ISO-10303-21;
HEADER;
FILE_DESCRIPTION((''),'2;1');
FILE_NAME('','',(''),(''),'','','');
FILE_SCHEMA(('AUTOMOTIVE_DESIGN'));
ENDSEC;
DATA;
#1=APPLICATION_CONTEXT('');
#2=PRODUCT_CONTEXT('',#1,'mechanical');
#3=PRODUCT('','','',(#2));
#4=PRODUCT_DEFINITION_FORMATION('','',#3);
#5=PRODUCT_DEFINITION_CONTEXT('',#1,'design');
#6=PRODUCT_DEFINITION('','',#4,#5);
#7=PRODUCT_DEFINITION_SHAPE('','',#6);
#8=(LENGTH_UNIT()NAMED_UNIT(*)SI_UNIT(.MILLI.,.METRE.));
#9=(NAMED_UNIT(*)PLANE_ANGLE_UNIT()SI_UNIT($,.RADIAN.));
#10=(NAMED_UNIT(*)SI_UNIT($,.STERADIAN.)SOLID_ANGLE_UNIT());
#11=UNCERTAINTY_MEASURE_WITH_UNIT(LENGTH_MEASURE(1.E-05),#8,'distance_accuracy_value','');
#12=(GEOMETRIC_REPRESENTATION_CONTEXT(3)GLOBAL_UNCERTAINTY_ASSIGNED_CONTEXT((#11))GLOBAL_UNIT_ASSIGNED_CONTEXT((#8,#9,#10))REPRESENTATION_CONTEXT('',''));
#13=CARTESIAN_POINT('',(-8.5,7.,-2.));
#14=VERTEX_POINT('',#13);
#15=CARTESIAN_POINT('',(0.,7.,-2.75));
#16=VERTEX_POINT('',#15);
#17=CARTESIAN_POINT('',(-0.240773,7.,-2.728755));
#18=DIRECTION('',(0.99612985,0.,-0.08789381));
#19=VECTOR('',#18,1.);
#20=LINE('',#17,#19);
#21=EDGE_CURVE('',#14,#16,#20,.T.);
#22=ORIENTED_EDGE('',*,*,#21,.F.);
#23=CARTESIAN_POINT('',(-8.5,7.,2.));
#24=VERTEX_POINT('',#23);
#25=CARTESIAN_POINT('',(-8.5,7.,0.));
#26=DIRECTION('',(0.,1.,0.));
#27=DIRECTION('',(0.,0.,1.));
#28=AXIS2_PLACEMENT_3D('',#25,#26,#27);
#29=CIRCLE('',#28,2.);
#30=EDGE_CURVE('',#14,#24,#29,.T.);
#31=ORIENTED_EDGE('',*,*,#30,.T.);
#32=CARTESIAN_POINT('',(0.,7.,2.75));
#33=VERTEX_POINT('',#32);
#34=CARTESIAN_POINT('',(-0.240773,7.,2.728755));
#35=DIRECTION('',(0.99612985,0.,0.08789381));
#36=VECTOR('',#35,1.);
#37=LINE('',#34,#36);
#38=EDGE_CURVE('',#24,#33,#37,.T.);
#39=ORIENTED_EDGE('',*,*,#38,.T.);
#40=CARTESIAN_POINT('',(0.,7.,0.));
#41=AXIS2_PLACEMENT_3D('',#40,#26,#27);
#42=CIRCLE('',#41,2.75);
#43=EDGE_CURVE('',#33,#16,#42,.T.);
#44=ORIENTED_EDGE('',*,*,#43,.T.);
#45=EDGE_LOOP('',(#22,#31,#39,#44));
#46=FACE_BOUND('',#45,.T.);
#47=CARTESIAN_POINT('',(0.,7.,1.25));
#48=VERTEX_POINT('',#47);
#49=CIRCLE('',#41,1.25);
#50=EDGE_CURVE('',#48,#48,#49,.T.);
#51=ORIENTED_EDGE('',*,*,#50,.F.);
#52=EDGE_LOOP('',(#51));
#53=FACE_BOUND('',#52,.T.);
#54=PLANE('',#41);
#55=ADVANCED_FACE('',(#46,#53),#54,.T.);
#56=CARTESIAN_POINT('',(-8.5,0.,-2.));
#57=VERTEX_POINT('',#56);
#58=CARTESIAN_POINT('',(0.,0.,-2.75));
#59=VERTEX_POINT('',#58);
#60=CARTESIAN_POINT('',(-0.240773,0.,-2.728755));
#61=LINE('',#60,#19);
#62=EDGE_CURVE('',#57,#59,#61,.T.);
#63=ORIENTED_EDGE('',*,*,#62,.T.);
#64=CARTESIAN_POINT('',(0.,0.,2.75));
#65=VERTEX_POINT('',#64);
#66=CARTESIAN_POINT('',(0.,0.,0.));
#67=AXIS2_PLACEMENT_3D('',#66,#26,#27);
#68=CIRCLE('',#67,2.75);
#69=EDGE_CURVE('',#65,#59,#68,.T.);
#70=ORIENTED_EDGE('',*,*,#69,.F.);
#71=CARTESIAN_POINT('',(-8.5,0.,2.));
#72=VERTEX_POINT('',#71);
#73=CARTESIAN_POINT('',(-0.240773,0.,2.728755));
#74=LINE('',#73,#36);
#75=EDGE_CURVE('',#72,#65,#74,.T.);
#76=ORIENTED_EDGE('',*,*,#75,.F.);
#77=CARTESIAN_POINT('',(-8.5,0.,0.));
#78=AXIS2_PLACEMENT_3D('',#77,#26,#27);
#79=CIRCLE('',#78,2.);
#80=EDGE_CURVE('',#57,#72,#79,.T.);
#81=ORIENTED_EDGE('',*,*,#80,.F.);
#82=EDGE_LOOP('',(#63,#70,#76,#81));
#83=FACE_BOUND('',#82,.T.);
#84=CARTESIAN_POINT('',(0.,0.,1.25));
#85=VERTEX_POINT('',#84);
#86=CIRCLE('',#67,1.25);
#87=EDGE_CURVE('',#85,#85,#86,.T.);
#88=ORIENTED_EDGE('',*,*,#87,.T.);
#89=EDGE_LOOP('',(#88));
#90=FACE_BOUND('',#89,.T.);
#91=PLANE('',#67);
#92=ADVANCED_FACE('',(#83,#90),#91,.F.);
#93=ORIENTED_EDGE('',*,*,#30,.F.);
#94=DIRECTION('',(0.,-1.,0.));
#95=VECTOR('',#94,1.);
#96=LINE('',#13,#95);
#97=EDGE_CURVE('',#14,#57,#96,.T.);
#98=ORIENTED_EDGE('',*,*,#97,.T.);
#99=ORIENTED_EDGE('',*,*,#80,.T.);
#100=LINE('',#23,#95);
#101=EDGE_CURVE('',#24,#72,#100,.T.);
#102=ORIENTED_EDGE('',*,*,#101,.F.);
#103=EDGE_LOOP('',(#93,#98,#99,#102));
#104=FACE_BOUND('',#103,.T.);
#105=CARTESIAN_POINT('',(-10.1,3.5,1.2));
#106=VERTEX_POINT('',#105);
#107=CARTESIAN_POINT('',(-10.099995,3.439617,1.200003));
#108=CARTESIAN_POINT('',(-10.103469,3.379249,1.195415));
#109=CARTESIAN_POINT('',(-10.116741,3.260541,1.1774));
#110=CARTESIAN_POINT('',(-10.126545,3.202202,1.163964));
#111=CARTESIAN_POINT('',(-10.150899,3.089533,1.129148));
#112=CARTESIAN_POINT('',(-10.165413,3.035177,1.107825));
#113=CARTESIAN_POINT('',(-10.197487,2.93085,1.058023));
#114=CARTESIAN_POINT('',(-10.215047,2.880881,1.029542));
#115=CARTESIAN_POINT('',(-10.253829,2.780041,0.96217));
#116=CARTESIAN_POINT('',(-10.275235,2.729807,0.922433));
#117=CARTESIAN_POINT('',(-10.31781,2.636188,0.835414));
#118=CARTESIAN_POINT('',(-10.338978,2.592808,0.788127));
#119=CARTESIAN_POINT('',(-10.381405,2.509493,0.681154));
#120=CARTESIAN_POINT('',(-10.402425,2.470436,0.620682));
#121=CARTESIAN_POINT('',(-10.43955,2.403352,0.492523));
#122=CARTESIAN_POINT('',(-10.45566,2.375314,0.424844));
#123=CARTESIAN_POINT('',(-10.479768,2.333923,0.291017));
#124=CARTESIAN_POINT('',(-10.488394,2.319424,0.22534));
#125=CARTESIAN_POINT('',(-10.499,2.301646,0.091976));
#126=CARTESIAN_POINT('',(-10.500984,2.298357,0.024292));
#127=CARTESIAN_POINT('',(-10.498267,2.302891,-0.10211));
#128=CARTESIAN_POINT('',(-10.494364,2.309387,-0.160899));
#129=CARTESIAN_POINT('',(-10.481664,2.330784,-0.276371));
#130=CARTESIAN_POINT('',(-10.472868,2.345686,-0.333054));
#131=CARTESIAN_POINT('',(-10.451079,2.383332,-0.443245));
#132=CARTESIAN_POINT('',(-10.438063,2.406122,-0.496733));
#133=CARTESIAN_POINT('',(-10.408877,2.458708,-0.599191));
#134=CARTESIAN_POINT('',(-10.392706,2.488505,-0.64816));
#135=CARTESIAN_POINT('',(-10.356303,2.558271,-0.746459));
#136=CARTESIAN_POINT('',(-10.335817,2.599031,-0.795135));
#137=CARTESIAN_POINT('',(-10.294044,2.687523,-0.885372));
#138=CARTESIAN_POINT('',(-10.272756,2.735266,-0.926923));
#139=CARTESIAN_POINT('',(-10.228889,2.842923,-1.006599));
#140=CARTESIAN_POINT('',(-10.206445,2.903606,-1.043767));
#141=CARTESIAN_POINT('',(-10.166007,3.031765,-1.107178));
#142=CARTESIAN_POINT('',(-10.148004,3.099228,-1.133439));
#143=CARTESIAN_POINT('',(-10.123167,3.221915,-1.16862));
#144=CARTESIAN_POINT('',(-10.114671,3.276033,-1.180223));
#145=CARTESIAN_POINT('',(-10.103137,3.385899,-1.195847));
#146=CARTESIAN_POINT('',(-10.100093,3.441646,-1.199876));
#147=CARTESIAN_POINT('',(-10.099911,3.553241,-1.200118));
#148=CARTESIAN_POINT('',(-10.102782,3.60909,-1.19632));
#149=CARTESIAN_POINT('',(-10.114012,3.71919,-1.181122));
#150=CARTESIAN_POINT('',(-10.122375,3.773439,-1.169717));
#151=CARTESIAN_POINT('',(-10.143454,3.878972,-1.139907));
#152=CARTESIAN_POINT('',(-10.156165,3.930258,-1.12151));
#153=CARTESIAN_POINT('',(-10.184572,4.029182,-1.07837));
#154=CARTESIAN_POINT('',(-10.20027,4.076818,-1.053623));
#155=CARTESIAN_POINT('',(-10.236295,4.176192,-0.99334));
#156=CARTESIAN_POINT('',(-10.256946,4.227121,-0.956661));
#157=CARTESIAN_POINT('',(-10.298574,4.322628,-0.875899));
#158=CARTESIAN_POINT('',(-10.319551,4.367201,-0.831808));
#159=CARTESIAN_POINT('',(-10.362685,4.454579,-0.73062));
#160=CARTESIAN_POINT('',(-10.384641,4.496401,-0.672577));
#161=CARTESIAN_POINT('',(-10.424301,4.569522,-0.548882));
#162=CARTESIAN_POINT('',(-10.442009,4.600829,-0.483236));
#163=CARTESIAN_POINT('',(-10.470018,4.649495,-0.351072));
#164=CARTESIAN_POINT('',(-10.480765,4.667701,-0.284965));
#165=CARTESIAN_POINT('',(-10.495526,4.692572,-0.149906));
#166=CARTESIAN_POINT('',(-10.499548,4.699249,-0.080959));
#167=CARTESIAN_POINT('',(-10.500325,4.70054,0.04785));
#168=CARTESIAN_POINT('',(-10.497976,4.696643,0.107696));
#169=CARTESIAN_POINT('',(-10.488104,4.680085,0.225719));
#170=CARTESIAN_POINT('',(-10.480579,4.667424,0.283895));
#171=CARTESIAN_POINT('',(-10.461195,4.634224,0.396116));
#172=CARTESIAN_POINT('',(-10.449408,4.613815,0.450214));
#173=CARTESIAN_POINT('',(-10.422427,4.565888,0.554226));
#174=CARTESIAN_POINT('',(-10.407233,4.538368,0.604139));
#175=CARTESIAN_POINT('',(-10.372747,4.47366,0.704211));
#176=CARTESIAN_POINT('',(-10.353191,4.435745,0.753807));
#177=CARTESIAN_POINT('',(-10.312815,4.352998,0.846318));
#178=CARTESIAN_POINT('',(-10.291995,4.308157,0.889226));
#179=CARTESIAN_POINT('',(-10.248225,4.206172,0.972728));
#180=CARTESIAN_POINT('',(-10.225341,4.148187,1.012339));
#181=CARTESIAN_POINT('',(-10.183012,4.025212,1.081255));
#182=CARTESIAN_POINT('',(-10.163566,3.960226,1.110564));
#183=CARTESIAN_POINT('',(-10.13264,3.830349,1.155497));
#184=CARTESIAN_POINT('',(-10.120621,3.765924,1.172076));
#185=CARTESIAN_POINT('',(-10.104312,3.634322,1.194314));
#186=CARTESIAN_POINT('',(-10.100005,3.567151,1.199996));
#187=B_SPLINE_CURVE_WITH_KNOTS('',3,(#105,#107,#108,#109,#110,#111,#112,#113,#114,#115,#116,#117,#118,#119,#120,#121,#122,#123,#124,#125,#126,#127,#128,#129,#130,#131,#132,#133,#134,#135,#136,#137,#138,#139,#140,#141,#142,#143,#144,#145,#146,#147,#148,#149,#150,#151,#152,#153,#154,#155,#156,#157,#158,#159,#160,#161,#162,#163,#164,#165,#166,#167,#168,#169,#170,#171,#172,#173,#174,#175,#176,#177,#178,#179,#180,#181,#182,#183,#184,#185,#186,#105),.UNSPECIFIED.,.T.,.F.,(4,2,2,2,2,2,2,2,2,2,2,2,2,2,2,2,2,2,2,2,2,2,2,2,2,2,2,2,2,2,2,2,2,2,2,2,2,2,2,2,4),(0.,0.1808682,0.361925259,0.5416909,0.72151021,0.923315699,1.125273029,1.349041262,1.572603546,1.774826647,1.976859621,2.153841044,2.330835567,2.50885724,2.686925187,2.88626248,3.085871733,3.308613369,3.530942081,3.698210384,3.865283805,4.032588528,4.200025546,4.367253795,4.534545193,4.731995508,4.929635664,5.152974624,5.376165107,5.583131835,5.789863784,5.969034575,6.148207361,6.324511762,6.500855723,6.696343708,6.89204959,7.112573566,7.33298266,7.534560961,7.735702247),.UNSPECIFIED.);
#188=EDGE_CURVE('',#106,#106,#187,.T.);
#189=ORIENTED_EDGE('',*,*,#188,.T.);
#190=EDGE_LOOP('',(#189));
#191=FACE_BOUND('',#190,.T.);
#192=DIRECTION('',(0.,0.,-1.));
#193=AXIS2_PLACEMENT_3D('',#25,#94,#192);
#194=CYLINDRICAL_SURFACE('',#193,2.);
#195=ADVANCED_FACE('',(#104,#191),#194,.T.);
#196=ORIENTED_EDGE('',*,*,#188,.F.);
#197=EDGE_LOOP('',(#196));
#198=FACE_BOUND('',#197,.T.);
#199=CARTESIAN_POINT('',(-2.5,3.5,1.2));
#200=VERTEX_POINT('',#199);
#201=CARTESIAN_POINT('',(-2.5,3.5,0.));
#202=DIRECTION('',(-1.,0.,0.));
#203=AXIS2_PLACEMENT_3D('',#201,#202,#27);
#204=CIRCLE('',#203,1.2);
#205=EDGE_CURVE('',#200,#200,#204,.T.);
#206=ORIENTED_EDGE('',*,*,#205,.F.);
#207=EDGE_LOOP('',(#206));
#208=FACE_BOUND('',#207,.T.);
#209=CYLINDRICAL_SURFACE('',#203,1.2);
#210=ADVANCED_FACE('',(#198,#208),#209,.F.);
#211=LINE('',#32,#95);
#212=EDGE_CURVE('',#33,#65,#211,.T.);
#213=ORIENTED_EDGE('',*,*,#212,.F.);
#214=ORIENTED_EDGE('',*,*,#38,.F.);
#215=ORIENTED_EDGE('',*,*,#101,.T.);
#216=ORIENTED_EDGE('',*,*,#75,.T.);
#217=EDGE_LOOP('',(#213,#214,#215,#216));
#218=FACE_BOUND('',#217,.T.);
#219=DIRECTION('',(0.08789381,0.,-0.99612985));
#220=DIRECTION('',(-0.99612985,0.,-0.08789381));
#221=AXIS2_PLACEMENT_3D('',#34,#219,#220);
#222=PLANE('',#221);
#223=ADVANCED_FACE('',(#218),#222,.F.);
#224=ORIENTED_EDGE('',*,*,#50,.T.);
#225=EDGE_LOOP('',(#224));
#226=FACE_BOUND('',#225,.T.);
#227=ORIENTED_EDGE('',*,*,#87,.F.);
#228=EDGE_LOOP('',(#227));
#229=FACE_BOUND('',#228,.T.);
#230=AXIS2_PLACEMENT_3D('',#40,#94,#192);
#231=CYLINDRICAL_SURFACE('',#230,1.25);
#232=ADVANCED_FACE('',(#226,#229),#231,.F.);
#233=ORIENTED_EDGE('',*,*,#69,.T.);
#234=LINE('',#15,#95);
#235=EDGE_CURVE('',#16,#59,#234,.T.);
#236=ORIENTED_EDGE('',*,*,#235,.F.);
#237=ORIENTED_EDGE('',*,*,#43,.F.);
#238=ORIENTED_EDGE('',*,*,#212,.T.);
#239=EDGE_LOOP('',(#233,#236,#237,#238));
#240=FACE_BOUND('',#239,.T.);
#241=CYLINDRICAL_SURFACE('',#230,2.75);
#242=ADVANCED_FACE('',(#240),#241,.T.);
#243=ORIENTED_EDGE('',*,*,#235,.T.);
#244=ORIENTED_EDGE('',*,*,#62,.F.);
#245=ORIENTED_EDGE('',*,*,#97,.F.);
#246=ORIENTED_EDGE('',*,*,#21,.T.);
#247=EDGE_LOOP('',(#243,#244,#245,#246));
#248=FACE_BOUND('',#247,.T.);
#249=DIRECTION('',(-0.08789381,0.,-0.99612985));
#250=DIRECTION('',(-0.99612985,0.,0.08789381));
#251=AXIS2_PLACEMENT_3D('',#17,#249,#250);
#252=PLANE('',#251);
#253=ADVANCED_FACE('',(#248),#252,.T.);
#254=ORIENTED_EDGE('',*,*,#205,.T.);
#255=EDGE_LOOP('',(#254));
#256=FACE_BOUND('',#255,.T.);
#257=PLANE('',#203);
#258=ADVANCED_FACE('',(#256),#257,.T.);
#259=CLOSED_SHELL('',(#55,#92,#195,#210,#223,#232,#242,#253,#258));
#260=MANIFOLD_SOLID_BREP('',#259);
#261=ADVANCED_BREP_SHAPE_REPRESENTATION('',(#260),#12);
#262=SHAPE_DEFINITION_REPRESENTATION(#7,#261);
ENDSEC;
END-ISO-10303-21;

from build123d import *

# Parameters (mm, degrees)
SKETCH1_R           = 1.25
BOSS_EXTRUDE1_DEPTH = 7
SKETCH2_R           = 1.2
CUT_EXTRUDE1_DEPTH  = 8


with BuildPart() as part:
    # Sketch1 → Boss-Extrude1 (new body)
    with BuildSketch(Plane(origin=(0, 0, 0), x_dir=(1, 0, 0), z_dir=(0, 1, 0))):
        with BuildLine():
            Line((-0.481545064, 2.70751073), (-8.5, 2))
            ThreePointArc((-8.5, 2), (-10.5, 0), (-8.5, -2))
            Line((-8.5, -2), (-0.481545064, -2.70751073))
            Line((-0.481545064, -2.70751073), (0, -2.75))
            ThreePointArc((0, -2.75), (2.75, 0), (0, 2.75))
            Line((0, 2.75), (-0.481545064, 2.70751073))
        make_face()
        Circle(SKETCH1_R, mode=Mode.SUBTRACT)
    extrude(amount=BOSS_EXTRUDE1_DEPTH)

    # Sketch2 → Cut-Extrude1 (cut)
    with BuildSketch(Plane.ZY.offset(10.5)):
        with Locations((0, 3.5)):
            Circle(SKETCH2_R)
    extrude(amount=-CUT_EXTRUDE1_DEPTH, mode=Mode.SUBTRACT)


solid = part.part
